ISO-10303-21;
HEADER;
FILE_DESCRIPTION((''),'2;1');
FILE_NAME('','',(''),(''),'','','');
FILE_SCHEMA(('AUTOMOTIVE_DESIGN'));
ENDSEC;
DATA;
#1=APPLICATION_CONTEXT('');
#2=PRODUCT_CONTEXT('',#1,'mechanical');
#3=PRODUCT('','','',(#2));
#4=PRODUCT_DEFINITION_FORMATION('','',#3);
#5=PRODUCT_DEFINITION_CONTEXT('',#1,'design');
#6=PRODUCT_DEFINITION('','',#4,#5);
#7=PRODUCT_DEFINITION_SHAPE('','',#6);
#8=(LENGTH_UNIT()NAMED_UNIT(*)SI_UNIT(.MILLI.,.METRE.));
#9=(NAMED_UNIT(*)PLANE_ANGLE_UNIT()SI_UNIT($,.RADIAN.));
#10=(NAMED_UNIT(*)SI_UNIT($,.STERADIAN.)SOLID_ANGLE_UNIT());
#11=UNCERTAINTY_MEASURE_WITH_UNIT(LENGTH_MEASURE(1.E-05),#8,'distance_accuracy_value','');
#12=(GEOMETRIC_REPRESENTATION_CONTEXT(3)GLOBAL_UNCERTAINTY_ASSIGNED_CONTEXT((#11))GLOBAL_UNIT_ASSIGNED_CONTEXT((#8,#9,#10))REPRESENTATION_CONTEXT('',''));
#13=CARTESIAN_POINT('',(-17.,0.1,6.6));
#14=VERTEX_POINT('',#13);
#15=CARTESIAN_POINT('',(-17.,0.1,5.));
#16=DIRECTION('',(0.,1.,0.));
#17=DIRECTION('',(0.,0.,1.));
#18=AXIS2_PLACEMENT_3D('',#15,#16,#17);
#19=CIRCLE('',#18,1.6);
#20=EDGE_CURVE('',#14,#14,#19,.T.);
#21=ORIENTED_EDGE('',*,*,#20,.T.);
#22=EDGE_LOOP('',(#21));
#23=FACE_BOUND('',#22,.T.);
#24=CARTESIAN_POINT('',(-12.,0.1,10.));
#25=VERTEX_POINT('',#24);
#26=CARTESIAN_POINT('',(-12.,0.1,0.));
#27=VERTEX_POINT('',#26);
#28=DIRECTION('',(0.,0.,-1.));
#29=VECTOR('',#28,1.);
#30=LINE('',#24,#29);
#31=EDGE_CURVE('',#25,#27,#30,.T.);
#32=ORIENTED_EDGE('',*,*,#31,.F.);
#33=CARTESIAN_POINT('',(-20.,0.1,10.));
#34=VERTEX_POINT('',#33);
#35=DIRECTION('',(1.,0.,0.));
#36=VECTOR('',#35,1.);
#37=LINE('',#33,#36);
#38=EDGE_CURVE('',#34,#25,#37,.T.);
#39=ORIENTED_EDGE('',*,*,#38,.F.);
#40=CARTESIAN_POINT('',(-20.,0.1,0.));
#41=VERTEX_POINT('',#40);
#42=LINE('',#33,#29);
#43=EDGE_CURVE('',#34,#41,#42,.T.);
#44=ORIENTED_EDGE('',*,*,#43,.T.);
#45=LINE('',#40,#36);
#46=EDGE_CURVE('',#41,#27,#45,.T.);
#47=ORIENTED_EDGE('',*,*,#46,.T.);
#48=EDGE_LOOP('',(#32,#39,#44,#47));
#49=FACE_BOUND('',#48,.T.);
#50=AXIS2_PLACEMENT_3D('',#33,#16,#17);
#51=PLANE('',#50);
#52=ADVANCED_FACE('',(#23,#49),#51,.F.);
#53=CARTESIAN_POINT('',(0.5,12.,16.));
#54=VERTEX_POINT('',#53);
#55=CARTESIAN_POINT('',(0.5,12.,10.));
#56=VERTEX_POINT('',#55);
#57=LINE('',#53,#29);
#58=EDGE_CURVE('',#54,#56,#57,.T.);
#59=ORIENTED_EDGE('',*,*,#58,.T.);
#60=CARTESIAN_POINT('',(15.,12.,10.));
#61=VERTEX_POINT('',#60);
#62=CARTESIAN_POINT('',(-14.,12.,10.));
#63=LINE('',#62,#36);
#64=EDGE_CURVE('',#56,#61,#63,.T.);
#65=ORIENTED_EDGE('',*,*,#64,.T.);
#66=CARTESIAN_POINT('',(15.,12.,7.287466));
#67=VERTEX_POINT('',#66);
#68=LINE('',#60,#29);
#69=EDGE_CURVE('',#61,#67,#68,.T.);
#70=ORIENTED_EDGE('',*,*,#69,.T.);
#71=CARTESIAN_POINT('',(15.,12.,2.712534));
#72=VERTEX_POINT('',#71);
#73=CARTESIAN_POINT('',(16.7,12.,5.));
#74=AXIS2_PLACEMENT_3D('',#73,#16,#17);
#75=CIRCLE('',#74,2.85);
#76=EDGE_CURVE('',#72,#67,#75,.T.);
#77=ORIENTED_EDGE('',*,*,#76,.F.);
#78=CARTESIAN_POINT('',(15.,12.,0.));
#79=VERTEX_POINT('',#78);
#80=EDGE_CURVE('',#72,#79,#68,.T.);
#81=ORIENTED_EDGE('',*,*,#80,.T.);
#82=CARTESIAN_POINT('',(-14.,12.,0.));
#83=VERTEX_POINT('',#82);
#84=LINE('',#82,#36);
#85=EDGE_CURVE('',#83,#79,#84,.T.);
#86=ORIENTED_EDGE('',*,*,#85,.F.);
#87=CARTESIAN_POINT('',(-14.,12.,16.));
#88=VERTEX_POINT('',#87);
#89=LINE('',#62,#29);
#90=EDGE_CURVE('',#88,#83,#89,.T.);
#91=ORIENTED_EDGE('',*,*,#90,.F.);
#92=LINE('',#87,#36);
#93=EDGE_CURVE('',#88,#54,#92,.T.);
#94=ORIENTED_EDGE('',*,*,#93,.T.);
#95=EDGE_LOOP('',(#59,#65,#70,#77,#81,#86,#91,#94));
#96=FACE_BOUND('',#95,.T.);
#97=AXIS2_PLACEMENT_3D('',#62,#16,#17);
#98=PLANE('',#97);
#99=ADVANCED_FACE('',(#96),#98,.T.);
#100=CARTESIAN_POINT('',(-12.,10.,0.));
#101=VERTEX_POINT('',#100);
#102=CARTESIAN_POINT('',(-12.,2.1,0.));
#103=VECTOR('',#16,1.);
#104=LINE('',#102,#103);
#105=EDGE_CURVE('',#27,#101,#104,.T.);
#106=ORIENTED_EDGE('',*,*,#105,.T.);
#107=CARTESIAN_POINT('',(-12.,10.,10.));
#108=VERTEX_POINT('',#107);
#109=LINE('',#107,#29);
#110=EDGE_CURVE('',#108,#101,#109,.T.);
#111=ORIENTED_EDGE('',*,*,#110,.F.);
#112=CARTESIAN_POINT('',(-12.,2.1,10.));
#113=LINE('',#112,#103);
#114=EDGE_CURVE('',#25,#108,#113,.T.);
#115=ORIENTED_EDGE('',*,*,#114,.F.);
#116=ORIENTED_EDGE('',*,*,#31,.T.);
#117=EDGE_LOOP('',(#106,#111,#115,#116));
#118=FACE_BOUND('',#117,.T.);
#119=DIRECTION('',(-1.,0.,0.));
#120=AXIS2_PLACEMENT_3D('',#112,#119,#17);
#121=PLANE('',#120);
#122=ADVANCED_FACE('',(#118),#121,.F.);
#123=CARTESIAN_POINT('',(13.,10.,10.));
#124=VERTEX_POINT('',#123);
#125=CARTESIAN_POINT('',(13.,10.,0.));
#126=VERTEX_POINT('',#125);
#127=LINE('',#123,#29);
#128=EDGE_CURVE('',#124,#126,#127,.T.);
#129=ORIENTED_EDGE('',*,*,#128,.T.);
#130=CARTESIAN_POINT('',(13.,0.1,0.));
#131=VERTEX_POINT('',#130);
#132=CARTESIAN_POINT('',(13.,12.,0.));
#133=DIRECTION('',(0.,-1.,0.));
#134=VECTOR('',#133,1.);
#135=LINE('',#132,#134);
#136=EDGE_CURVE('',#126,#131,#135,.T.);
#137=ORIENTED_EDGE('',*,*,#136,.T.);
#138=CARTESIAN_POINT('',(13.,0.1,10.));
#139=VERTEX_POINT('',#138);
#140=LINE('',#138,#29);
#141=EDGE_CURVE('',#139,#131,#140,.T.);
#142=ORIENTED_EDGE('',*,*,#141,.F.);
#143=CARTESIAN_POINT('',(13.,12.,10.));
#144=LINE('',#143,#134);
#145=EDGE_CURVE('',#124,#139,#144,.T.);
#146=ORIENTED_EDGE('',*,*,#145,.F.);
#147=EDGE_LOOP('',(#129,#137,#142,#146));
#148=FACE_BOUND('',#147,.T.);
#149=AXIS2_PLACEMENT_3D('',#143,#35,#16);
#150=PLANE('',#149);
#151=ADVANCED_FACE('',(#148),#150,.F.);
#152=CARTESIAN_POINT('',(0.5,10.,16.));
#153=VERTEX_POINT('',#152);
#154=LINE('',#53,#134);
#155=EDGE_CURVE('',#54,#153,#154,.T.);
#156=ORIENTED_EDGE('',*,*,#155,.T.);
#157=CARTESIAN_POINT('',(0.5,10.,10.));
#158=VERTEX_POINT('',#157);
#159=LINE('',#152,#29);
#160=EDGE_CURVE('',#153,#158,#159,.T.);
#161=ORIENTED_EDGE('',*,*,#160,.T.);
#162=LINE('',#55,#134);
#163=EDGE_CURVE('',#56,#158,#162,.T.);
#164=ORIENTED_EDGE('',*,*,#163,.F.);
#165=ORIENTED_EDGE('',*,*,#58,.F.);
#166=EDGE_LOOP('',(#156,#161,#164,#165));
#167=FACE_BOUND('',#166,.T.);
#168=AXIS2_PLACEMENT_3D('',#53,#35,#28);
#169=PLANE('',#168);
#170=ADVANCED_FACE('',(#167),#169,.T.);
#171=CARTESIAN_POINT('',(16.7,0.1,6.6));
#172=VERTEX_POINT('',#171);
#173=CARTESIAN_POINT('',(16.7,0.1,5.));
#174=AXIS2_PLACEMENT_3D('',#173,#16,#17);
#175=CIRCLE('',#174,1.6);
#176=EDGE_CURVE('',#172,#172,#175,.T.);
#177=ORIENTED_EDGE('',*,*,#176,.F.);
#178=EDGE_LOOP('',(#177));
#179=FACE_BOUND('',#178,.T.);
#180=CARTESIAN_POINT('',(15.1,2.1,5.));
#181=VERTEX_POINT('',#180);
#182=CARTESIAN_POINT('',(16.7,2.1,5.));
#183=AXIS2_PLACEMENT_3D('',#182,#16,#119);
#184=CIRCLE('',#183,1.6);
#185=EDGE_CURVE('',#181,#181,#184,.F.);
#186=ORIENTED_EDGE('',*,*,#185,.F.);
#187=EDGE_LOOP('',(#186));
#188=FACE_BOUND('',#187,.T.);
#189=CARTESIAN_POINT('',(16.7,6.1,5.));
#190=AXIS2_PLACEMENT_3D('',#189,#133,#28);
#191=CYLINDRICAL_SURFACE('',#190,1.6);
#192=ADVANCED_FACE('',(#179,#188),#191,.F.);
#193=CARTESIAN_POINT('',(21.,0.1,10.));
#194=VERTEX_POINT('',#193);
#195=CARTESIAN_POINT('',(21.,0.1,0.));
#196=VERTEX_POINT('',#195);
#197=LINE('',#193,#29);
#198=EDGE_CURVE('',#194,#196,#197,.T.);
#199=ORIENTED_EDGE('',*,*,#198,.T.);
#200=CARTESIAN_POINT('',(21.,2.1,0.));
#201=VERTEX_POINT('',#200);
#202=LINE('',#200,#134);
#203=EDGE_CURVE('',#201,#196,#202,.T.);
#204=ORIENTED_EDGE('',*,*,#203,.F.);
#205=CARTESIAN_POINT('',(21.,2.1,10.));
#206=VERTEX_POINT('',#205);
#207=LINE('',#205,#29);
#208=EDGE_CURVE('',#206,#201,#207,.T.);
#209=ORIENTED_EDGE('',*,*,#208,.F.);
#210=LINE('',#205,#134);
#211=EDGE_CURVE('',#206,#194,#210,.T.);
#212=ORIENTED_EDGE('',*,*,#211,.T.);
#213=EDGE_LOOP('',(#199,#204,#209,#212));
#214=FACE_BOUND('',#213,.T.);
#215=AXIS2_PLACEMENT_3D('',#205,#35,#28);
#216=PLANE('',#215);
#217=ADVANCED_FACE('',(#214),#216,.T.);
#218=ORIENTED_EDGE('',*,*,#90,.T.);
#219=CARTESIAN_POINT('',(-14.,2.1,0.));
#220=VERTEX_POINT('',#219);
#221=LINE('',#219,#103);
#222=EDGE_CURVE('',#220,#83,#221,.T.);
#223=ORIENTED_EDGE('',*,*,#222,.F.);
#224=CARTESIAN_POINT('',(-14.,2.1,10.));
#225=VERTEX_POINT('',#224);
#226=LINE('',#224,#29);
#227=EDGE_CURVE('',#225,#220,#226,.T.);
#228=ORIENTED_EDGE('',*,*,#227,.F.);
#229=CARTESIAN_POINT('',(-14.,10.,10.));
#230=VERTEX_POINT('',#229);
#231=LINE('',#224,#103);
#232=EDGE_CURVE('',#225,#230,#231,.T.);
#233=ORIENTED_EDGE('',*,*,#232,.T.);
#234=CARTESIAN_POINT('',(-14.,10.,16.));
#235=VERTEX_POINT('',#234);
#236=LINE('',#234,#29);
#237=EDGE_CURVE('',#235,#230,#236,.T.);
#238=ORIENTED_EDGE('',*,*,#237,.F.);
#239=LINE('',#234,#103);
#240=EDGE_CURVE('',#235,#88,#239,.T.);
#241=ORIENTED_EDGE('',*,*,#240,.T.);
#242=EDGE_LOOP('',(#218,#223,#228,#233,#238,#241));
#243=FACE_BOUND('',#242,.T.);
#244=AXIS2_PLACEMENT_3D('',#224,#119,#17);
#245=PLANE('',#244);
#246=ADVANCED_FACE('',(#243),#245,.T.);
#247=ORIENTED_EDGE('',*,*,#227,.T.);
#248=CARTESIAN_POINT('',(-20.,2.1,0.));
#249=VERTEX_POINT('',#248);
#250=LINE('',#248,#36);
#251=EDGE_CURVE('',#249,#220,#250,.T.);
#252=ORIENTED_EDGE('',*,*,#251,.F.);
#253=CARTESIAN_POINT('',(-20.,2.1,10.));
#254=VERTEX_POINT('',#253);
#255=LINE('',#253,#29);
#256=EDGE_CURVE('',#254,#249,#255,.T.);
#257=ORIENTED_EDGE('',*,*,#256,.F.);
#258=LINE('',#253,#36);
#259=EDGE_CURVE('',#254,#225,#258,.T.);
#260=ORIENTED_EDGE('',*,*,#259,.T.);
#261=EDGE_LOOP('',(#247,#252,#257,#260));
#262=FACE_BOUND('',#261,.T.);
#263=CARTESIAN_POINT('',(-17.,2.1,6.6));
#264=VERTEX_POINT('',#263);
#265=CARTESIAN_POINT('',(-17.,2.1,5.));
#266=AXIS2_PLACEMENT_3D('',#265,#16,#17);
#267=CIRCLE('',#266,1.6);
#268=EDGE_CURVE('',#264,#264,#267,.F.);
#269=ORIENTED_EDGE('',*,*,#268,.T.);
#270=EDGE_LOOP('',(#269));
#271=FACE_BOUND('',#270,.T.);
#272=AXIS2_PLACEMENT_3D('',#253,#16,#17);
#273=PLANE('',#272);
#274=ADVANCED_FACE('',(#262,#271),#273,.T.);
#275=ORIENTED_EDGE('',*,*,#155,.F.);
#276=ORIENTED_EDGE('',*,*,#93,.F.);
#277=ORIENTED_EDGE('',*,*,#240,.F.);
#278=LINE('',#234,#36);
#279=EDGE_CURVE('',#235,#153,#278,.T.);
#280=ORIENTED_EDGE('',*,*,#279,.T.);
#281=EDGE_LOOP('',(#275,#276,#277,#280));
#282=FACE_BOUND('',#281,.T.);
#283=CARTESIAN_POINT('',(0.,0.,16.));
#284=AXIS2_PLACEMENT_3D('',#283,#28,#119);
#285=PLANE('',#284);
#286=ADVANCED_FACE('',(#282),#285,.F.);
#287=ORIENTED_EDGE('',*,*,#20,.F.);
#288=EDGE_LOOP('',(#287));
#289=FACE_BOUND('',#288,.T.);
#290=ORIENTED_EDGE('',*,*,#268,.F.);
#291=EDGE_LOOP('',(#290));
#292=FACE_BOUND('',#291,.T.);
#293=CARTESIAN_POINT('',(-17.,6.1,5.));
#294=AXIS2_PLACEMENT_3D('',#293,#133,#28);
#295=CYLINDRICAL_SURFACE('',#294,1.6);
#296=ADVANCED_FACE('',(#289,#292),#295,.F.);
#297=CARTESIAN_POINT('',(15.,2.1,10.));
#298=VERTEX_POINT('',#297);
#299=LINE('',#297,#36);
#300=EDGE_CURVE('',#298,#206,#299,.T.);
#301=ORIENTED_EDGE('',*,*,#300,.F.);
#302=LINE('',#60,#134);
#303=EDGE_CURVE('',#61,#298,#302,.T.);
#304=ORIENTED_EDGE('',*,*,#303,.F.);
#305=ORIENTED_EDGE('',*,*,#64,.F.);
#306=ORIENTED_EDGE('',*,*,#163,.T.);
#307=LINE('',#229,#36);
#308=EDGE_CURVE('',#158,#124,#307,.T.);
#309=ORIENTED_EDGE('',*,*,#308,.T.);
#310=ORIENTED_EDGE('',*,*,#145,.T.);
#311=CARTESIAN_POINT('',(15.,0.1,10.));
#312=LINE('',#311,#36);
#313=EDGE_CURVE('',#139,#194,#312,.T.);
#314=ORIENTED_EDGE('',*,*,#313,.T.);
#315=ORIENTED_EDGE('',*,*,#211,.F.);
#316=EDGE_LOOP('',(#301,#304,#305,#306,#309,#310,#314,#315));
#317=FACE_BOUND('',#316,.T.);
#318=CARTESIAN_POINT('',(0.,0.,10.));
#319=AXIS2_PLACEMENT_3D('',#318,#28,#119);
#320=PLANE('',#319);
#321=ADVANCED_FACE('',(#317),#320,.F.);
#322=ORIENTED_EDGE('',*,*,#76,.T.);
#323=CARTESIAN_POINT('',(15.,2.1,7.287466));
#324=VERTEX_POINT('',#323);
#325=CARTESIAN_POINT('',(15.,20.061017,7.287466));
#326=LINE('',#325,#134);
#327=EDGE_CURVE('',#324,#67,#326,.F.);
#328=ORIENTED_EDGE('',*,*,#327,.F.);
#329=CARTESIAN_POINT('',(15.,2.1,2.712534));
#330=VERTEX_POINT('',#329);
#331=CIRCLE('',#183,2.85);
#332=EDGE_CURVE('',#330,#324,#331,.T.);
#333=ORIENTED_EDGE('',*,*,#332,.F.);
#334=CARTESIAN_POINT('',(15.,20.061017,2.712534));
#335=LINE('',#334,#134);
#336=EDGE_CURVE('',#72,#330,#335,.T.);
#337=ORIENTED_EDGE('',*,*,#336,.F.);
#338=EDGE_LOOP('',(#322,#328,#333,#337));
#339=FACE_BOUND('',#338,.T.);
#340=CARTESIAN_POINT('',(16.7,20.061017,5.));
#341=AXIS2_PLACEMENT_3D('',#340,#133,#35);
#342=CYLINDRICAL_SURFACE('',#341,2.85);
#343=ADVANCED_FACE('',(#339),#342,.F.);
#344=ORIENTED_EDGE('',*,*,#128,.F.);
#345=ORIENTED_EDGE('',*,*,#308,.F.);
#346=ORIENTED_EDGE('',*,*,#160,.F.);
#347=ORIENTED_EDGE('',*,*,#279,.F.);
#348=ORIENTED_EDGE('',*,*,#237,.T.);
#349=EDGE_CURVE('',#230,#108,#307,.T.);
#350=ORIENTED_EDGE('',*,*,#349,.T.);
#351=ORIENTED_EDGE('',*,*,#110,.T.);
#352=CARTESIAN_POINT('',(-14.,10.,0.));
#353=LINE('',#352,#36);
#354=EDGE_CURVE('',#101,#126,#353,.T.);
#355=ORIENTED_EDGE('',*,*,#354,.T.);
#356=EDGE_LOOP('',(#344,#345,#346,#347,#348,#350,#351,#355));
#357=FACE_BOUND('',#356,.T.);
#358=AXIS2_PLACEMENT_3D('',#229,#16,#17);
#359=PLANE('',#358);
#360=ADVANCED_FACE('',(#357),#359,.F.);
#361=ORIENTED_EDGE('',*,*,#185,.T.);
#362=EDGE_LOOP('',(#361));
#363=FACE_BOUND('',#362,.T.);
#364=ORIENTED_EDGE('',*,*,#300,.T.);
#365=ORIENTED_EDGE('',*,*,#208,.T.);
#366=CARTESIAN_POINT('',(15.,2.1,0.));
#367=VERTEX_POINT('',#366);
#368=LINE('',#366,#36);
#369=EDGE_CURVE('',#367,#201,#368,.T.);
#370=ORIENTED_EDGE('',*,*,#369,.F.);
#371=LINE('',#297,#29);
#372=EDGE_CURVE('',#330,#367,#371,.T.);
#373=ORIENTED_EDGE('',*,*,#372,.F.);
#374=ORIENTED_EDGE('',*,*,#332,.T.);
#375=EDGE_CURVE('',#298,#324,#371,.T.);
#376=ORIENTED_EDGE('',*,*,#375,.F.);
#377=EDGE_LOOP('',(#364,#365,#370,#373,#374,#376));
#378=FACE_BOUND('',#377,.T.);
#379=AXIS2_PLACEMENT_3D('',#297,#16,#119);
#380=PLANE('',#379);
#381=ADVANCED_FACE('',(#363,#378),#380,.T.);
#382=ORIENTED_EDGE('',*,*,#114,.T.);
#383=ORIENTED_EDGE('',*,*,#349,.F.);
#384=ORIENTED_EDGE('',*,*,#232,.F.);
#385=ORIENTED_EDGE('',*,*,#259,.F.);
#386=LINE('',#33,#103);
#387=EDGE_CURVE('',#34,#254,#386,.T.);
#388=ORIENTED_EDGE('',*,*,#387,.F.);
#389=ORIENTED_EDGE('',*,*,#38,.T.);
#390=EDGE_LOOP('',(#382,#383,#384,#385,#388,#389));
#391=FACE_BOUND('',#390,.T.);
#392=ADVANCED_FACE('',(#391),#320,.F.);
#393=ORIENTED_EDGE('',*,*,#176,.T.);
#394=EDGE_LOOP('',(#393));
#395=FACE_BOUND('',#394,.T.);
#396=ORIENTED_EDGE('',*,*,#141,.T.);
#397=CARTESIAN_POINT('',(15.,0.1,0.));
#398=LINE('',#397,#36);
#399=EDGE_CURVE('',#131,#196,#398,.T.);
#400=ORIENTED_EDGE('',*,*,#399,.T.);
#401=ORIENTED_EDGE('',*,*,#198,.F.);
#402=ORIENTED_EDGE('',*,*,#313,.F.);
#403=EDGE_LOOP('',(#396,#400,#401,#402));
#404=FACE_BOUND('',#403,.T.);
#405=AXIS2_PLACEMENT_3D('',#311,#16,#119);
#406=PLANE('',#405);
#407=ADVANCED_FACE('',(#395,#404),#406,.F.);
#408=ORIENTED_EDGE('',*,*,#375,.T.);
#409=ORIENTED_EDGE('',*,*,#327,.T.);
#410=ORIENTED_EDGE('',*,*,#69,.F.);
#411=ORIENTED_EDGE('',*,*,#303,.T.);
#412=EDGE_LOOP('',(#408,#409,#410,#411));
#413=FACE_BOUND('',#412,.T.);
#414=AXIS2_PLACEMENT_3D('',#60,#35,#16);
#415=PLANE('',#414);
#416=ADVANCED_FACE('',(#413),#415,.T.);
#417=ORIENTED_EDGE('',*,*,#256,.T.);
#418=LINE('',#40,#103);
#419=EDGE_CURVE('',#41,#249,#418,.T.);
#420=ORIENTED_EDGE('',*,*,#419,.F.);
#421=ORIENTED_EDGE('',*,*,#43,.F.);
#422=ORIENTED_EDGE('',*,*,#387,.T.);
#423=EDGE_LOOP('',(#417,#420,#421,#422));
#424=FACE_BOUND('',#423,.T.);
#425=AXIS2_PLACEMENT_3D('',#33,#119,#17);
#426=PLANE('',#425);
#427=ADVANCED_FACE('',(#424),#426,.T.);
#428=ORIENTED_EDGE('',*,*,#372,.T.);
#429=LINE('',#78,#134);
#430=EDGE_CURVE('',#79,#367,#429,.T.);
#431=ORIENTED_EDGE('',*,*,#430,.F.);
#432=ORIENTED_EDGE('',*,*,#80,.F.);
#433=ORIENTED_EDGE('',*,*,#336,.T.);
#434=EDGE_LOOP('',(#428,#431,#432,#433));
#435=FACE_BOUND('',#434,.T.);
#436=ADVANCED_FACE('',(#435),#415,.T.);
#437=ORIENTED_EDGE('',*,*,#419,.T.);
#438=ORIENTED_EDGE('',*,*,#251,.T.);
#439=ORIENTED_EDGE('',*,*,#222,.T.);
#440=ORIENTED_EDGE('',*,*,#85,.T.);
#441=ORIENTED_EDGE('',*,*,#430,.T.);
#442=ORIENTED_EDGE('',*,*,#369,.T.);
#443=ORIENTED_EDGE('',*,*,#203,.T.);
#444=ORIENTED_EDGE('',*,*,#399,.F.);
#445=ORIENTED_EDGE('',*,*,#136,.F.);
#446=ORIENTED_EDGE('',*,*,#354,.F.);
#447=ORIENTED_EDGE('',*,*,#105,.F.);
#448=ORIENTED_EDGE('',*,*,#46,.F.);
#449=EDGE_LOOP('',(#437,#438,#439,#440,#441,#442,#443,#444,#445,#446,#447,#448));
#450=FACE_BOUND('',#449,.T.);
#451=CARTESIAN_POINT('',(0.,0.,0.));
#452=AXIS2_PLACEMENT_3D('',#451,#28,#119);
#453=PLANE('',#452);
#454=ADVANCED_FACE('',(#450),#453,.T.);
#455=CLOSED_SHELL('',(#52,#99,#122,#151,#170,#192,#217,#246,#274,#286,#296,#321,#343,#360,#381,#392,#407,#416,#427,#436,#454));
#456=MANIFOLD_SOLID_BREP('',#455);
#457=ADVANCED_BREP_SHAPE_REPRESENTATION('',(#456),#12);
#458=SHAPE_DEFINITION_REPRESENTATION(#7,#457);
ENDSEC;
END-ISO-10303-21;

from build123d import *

# Parameters (mm, degrees)
MOUNT_DEPTH            = 10
IZIM5_W                = 14.5
IZIM5_H                = 2
MOTOR_ST_DEPTH         = 6
C_VATA_START           = -2
IZIM6_R                = 1.6
C_VATA_DELIKLERI_DEPTH = 6
IZIM7_R                = 2.85
KES_EKSTR_ZYON1_DEPTH  = 9.9


with BuildPart() as part:
    # Çizim4 → mount (new body)
    with BuildSketch(Plane.XY):
        Polygon((-20, 2.1), (-14, 2.1), (-14, 12), (15, 12), (15, 2.1), (21, 2.1), (21, 0.1), (13, 0.1), (13, 10), (-12, 10), (-12, 0.1), (-20, 0.1), align=None)
    extrude(amount=MOUNT_DEPTH)

    # Çizim5 → motor üstü (add)
    with BuildSketch(Plane.XY.offset(10)):
        with Locations((-6.75, 11)):
            Rectangle(IZIM5_W, IZIM5_H)
    extrude(amount=MOTOR_ST_DEPTH)

    # Çizim6 → cıvata delikleri (cut)
    with BuildSketch(Plane(origin=(0, 2.1, 0), x_dir=(1, 0, 0), z_dir=(0, 1, 0)).offset(C_VATA_START)):
        with Locations(Location((-17, -5, 0), (0, 0, 270))):
            Circle(IZIM6_R)
        with Locations(Location((16.7, -5, 0), (0, 0, 180))):
            Circle(IZIM6_R)
    extrude(amount=C_VATA_DELIKLERI_DEPTH, mode=Mode.SUBTRACT)

    # Çizim7 → Kes-Ekstrüzyon1 (cut)
    with BuildSketch(Plane(origin=(0, 2.1, 0), x_dir=(1, 0, 0), z_dir=(0, 1, 0))):
        with Locations((16.7, -5)):
            Circle(IZIM7_R)
    extrude(amount=KES_EKSTR_ZYON1_DEPTH, mode=Mode.SUBTRACT)


solid = part.part
